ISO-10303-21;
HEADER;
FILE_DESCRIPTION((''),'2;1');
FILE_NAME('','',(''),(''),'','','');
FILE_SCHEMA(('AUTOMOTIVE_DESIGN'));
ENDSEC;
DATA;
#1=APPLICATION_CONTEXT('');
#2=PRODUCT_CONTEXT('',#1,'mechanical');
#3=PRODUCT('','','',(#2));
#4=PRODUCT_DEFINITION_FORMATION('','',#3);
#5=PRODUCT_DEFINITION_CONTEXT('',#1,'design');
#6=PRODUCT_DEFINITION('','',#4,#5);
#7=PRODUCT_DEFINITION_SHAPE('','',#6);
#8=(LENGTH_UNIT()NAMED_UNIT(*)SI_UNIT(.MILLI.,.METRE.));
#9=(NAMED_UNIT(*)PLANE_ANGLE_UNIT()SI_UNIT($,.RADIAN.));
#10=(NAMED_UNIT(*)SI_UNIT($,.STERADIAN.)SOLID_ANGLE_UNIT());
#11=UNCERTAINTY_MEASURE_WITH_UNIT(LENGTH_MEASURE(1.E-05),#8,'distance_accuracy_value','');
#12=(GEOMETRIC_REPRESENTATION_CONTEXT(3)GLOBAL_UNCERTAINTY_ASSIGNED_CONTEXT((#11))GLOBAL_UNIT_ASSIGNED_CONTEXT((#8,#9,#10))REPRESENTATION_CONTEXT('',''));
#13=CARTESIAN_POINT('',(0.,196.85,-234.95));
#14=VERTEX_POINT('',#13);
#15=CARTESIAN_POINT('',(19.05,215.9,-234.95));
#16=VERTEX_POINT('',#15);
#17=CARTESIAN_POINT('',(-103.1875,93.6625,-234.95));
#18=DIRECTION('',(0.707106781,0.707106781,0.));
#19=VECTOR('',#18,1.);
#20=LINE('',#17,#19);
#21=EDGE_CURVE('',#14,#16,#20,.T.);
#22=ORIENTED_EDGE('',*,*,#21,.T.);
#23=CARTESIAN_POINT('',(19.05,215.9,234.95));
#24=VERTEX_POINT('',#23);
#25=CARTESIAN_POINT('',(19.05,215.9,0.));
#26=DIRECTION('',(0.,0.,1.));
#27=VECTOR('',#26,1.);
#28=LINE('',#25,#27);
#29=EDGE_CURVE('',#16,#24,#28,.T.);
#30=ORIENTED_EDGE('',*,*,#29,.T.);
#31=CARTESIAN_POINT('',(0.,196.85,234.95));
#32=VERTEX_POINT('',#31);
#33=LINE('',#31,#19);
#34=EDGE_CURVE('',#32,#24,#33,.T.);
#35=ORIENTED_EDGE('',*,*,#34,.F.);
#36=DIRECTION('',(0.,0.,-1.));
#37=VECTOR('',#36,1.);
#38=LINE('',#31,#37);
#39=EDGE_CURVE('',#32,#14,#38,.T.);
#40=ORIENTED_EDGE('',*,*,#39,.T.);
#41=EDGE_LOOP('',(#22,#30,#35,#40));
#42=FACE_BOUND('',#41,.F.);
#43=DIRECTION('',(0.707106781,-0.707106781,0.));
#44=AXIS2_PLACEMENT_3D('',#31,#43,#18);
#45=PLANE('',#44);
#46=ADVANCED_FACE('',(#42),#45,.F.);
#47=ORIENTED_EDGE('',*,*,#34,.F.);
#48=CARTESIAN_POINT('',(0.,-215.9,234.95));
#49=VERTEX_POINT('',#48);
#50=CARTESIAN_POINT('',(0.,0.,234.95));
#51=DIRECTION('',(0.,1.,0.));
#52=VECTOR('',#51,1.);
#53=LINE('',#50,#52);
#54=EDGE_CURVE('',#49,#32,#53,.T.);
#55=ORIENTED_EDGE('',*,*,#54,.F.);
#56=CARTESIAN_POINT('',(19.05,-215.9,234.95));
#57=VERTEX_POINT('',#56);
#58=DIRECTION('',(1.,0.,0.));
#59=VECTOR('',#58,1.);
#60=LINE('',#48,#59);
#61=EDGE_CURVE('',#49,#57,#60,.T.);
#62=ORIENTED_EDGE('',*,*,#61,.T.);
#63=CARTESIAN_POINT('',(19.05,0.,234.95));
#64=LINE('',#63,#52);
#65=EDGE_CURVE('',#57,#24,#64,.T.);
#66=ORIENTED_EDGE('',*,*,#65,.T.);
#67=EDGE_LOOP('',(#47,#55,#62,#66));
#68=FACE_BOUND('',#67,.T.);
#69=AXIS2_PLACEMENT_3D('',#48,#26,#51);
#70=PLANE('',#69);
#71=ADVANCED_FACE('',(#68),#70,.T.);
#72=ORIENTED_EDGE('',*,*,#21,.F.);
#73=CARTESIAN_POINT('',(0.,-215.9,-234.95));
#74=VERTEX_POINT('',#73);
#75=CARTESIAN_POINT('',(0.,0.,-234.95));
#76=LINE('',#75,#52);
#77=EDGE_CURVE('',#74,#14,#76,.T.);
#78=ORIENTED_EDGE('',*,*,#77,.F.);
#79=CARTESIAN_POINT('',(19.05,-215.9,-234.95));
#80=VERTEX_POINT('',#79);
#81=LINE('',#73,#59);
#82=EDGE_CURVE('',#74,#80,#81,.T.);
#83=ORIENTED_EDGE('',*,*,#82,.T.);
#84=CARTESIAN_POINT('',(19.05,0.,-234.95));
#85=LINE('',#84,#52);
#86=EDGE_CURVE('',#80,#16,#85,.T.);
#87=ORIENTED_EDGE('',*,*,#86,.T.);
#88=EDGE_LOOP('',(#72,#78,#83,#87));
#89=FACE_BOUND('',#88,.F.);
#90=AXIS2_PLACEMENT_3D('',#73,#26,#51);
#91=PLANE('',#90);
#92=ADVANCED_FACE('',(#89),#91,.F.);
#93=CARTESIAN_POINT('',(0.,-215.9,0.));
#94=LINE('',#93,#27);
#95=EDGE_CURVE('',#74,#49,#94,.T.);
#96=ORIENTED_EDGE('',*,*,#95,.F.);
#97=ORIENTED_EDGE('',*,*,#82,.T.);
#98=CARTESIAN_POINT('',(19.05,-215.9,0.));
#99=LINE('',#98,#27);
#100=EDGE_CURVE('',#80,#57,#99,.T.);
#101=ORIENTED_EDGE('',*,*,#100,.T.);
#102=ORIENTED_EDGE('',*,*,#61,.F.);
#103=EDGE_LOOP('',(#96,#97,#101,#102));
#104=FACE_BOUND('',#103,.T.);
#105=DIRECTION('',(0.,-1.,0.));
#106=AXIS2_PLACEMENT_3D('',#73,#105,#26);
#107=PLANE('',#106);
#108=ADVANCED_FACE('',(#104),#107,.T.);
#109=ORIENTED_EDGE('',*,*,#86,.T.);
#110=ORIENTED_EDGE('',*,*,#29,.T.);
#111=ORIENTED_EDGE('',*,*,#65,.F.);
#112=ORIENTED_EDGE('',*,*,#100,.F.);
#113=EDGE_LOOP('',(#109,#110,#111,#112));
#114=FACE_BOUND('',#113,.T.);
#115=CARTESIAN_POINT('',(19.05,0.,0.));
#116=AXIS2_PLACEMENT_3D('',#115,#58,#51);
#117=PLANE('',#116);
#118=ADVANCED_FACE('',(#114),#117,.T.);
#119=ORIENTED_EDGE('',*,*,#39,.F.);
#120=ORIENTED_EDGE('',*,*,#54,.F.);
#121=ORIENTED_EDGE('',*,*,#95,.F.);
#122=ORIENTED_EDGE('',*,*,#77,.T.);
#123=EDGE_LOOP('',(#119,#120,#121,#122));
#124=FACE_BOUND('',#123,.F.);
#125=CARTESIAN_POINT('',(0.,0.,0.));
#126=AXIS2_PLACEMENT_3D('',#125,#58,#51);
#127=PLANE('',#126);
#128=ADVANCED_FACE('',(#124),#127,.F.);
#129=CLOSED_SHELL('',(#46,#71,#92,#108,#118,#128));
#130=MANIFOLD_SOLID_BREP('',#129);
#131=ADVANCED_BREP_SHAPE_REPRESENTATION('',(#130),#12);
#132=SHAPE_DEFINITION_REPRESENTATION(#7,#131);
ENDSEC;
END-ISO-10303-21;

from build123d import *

# Parameters (mm, degrees)
F0_W     = 431.8
F0_H     = 469.9
F1_DEPTH = 19.05
F3_DEPTH = 469.901


with BuildPart() as f1:
    # F0 (on Right) → F1 (new body)
    with BuildSketch(Plane.YZ):
        Rectangle(F0_W, F0_H)
    extrude(amount=F1_DEPTH)

    # F2 (on face) → F3 (cut, through all)
    with BuildSketch(Plane.XY.offset(234.95)):
        Polygon((0, 196.85), (19.05, 215.9), (0, 215.9), align=None)
    extrude(amount=-F3_DEPTH, mode=Mode.SUBTRACT)


solid = f1.part
